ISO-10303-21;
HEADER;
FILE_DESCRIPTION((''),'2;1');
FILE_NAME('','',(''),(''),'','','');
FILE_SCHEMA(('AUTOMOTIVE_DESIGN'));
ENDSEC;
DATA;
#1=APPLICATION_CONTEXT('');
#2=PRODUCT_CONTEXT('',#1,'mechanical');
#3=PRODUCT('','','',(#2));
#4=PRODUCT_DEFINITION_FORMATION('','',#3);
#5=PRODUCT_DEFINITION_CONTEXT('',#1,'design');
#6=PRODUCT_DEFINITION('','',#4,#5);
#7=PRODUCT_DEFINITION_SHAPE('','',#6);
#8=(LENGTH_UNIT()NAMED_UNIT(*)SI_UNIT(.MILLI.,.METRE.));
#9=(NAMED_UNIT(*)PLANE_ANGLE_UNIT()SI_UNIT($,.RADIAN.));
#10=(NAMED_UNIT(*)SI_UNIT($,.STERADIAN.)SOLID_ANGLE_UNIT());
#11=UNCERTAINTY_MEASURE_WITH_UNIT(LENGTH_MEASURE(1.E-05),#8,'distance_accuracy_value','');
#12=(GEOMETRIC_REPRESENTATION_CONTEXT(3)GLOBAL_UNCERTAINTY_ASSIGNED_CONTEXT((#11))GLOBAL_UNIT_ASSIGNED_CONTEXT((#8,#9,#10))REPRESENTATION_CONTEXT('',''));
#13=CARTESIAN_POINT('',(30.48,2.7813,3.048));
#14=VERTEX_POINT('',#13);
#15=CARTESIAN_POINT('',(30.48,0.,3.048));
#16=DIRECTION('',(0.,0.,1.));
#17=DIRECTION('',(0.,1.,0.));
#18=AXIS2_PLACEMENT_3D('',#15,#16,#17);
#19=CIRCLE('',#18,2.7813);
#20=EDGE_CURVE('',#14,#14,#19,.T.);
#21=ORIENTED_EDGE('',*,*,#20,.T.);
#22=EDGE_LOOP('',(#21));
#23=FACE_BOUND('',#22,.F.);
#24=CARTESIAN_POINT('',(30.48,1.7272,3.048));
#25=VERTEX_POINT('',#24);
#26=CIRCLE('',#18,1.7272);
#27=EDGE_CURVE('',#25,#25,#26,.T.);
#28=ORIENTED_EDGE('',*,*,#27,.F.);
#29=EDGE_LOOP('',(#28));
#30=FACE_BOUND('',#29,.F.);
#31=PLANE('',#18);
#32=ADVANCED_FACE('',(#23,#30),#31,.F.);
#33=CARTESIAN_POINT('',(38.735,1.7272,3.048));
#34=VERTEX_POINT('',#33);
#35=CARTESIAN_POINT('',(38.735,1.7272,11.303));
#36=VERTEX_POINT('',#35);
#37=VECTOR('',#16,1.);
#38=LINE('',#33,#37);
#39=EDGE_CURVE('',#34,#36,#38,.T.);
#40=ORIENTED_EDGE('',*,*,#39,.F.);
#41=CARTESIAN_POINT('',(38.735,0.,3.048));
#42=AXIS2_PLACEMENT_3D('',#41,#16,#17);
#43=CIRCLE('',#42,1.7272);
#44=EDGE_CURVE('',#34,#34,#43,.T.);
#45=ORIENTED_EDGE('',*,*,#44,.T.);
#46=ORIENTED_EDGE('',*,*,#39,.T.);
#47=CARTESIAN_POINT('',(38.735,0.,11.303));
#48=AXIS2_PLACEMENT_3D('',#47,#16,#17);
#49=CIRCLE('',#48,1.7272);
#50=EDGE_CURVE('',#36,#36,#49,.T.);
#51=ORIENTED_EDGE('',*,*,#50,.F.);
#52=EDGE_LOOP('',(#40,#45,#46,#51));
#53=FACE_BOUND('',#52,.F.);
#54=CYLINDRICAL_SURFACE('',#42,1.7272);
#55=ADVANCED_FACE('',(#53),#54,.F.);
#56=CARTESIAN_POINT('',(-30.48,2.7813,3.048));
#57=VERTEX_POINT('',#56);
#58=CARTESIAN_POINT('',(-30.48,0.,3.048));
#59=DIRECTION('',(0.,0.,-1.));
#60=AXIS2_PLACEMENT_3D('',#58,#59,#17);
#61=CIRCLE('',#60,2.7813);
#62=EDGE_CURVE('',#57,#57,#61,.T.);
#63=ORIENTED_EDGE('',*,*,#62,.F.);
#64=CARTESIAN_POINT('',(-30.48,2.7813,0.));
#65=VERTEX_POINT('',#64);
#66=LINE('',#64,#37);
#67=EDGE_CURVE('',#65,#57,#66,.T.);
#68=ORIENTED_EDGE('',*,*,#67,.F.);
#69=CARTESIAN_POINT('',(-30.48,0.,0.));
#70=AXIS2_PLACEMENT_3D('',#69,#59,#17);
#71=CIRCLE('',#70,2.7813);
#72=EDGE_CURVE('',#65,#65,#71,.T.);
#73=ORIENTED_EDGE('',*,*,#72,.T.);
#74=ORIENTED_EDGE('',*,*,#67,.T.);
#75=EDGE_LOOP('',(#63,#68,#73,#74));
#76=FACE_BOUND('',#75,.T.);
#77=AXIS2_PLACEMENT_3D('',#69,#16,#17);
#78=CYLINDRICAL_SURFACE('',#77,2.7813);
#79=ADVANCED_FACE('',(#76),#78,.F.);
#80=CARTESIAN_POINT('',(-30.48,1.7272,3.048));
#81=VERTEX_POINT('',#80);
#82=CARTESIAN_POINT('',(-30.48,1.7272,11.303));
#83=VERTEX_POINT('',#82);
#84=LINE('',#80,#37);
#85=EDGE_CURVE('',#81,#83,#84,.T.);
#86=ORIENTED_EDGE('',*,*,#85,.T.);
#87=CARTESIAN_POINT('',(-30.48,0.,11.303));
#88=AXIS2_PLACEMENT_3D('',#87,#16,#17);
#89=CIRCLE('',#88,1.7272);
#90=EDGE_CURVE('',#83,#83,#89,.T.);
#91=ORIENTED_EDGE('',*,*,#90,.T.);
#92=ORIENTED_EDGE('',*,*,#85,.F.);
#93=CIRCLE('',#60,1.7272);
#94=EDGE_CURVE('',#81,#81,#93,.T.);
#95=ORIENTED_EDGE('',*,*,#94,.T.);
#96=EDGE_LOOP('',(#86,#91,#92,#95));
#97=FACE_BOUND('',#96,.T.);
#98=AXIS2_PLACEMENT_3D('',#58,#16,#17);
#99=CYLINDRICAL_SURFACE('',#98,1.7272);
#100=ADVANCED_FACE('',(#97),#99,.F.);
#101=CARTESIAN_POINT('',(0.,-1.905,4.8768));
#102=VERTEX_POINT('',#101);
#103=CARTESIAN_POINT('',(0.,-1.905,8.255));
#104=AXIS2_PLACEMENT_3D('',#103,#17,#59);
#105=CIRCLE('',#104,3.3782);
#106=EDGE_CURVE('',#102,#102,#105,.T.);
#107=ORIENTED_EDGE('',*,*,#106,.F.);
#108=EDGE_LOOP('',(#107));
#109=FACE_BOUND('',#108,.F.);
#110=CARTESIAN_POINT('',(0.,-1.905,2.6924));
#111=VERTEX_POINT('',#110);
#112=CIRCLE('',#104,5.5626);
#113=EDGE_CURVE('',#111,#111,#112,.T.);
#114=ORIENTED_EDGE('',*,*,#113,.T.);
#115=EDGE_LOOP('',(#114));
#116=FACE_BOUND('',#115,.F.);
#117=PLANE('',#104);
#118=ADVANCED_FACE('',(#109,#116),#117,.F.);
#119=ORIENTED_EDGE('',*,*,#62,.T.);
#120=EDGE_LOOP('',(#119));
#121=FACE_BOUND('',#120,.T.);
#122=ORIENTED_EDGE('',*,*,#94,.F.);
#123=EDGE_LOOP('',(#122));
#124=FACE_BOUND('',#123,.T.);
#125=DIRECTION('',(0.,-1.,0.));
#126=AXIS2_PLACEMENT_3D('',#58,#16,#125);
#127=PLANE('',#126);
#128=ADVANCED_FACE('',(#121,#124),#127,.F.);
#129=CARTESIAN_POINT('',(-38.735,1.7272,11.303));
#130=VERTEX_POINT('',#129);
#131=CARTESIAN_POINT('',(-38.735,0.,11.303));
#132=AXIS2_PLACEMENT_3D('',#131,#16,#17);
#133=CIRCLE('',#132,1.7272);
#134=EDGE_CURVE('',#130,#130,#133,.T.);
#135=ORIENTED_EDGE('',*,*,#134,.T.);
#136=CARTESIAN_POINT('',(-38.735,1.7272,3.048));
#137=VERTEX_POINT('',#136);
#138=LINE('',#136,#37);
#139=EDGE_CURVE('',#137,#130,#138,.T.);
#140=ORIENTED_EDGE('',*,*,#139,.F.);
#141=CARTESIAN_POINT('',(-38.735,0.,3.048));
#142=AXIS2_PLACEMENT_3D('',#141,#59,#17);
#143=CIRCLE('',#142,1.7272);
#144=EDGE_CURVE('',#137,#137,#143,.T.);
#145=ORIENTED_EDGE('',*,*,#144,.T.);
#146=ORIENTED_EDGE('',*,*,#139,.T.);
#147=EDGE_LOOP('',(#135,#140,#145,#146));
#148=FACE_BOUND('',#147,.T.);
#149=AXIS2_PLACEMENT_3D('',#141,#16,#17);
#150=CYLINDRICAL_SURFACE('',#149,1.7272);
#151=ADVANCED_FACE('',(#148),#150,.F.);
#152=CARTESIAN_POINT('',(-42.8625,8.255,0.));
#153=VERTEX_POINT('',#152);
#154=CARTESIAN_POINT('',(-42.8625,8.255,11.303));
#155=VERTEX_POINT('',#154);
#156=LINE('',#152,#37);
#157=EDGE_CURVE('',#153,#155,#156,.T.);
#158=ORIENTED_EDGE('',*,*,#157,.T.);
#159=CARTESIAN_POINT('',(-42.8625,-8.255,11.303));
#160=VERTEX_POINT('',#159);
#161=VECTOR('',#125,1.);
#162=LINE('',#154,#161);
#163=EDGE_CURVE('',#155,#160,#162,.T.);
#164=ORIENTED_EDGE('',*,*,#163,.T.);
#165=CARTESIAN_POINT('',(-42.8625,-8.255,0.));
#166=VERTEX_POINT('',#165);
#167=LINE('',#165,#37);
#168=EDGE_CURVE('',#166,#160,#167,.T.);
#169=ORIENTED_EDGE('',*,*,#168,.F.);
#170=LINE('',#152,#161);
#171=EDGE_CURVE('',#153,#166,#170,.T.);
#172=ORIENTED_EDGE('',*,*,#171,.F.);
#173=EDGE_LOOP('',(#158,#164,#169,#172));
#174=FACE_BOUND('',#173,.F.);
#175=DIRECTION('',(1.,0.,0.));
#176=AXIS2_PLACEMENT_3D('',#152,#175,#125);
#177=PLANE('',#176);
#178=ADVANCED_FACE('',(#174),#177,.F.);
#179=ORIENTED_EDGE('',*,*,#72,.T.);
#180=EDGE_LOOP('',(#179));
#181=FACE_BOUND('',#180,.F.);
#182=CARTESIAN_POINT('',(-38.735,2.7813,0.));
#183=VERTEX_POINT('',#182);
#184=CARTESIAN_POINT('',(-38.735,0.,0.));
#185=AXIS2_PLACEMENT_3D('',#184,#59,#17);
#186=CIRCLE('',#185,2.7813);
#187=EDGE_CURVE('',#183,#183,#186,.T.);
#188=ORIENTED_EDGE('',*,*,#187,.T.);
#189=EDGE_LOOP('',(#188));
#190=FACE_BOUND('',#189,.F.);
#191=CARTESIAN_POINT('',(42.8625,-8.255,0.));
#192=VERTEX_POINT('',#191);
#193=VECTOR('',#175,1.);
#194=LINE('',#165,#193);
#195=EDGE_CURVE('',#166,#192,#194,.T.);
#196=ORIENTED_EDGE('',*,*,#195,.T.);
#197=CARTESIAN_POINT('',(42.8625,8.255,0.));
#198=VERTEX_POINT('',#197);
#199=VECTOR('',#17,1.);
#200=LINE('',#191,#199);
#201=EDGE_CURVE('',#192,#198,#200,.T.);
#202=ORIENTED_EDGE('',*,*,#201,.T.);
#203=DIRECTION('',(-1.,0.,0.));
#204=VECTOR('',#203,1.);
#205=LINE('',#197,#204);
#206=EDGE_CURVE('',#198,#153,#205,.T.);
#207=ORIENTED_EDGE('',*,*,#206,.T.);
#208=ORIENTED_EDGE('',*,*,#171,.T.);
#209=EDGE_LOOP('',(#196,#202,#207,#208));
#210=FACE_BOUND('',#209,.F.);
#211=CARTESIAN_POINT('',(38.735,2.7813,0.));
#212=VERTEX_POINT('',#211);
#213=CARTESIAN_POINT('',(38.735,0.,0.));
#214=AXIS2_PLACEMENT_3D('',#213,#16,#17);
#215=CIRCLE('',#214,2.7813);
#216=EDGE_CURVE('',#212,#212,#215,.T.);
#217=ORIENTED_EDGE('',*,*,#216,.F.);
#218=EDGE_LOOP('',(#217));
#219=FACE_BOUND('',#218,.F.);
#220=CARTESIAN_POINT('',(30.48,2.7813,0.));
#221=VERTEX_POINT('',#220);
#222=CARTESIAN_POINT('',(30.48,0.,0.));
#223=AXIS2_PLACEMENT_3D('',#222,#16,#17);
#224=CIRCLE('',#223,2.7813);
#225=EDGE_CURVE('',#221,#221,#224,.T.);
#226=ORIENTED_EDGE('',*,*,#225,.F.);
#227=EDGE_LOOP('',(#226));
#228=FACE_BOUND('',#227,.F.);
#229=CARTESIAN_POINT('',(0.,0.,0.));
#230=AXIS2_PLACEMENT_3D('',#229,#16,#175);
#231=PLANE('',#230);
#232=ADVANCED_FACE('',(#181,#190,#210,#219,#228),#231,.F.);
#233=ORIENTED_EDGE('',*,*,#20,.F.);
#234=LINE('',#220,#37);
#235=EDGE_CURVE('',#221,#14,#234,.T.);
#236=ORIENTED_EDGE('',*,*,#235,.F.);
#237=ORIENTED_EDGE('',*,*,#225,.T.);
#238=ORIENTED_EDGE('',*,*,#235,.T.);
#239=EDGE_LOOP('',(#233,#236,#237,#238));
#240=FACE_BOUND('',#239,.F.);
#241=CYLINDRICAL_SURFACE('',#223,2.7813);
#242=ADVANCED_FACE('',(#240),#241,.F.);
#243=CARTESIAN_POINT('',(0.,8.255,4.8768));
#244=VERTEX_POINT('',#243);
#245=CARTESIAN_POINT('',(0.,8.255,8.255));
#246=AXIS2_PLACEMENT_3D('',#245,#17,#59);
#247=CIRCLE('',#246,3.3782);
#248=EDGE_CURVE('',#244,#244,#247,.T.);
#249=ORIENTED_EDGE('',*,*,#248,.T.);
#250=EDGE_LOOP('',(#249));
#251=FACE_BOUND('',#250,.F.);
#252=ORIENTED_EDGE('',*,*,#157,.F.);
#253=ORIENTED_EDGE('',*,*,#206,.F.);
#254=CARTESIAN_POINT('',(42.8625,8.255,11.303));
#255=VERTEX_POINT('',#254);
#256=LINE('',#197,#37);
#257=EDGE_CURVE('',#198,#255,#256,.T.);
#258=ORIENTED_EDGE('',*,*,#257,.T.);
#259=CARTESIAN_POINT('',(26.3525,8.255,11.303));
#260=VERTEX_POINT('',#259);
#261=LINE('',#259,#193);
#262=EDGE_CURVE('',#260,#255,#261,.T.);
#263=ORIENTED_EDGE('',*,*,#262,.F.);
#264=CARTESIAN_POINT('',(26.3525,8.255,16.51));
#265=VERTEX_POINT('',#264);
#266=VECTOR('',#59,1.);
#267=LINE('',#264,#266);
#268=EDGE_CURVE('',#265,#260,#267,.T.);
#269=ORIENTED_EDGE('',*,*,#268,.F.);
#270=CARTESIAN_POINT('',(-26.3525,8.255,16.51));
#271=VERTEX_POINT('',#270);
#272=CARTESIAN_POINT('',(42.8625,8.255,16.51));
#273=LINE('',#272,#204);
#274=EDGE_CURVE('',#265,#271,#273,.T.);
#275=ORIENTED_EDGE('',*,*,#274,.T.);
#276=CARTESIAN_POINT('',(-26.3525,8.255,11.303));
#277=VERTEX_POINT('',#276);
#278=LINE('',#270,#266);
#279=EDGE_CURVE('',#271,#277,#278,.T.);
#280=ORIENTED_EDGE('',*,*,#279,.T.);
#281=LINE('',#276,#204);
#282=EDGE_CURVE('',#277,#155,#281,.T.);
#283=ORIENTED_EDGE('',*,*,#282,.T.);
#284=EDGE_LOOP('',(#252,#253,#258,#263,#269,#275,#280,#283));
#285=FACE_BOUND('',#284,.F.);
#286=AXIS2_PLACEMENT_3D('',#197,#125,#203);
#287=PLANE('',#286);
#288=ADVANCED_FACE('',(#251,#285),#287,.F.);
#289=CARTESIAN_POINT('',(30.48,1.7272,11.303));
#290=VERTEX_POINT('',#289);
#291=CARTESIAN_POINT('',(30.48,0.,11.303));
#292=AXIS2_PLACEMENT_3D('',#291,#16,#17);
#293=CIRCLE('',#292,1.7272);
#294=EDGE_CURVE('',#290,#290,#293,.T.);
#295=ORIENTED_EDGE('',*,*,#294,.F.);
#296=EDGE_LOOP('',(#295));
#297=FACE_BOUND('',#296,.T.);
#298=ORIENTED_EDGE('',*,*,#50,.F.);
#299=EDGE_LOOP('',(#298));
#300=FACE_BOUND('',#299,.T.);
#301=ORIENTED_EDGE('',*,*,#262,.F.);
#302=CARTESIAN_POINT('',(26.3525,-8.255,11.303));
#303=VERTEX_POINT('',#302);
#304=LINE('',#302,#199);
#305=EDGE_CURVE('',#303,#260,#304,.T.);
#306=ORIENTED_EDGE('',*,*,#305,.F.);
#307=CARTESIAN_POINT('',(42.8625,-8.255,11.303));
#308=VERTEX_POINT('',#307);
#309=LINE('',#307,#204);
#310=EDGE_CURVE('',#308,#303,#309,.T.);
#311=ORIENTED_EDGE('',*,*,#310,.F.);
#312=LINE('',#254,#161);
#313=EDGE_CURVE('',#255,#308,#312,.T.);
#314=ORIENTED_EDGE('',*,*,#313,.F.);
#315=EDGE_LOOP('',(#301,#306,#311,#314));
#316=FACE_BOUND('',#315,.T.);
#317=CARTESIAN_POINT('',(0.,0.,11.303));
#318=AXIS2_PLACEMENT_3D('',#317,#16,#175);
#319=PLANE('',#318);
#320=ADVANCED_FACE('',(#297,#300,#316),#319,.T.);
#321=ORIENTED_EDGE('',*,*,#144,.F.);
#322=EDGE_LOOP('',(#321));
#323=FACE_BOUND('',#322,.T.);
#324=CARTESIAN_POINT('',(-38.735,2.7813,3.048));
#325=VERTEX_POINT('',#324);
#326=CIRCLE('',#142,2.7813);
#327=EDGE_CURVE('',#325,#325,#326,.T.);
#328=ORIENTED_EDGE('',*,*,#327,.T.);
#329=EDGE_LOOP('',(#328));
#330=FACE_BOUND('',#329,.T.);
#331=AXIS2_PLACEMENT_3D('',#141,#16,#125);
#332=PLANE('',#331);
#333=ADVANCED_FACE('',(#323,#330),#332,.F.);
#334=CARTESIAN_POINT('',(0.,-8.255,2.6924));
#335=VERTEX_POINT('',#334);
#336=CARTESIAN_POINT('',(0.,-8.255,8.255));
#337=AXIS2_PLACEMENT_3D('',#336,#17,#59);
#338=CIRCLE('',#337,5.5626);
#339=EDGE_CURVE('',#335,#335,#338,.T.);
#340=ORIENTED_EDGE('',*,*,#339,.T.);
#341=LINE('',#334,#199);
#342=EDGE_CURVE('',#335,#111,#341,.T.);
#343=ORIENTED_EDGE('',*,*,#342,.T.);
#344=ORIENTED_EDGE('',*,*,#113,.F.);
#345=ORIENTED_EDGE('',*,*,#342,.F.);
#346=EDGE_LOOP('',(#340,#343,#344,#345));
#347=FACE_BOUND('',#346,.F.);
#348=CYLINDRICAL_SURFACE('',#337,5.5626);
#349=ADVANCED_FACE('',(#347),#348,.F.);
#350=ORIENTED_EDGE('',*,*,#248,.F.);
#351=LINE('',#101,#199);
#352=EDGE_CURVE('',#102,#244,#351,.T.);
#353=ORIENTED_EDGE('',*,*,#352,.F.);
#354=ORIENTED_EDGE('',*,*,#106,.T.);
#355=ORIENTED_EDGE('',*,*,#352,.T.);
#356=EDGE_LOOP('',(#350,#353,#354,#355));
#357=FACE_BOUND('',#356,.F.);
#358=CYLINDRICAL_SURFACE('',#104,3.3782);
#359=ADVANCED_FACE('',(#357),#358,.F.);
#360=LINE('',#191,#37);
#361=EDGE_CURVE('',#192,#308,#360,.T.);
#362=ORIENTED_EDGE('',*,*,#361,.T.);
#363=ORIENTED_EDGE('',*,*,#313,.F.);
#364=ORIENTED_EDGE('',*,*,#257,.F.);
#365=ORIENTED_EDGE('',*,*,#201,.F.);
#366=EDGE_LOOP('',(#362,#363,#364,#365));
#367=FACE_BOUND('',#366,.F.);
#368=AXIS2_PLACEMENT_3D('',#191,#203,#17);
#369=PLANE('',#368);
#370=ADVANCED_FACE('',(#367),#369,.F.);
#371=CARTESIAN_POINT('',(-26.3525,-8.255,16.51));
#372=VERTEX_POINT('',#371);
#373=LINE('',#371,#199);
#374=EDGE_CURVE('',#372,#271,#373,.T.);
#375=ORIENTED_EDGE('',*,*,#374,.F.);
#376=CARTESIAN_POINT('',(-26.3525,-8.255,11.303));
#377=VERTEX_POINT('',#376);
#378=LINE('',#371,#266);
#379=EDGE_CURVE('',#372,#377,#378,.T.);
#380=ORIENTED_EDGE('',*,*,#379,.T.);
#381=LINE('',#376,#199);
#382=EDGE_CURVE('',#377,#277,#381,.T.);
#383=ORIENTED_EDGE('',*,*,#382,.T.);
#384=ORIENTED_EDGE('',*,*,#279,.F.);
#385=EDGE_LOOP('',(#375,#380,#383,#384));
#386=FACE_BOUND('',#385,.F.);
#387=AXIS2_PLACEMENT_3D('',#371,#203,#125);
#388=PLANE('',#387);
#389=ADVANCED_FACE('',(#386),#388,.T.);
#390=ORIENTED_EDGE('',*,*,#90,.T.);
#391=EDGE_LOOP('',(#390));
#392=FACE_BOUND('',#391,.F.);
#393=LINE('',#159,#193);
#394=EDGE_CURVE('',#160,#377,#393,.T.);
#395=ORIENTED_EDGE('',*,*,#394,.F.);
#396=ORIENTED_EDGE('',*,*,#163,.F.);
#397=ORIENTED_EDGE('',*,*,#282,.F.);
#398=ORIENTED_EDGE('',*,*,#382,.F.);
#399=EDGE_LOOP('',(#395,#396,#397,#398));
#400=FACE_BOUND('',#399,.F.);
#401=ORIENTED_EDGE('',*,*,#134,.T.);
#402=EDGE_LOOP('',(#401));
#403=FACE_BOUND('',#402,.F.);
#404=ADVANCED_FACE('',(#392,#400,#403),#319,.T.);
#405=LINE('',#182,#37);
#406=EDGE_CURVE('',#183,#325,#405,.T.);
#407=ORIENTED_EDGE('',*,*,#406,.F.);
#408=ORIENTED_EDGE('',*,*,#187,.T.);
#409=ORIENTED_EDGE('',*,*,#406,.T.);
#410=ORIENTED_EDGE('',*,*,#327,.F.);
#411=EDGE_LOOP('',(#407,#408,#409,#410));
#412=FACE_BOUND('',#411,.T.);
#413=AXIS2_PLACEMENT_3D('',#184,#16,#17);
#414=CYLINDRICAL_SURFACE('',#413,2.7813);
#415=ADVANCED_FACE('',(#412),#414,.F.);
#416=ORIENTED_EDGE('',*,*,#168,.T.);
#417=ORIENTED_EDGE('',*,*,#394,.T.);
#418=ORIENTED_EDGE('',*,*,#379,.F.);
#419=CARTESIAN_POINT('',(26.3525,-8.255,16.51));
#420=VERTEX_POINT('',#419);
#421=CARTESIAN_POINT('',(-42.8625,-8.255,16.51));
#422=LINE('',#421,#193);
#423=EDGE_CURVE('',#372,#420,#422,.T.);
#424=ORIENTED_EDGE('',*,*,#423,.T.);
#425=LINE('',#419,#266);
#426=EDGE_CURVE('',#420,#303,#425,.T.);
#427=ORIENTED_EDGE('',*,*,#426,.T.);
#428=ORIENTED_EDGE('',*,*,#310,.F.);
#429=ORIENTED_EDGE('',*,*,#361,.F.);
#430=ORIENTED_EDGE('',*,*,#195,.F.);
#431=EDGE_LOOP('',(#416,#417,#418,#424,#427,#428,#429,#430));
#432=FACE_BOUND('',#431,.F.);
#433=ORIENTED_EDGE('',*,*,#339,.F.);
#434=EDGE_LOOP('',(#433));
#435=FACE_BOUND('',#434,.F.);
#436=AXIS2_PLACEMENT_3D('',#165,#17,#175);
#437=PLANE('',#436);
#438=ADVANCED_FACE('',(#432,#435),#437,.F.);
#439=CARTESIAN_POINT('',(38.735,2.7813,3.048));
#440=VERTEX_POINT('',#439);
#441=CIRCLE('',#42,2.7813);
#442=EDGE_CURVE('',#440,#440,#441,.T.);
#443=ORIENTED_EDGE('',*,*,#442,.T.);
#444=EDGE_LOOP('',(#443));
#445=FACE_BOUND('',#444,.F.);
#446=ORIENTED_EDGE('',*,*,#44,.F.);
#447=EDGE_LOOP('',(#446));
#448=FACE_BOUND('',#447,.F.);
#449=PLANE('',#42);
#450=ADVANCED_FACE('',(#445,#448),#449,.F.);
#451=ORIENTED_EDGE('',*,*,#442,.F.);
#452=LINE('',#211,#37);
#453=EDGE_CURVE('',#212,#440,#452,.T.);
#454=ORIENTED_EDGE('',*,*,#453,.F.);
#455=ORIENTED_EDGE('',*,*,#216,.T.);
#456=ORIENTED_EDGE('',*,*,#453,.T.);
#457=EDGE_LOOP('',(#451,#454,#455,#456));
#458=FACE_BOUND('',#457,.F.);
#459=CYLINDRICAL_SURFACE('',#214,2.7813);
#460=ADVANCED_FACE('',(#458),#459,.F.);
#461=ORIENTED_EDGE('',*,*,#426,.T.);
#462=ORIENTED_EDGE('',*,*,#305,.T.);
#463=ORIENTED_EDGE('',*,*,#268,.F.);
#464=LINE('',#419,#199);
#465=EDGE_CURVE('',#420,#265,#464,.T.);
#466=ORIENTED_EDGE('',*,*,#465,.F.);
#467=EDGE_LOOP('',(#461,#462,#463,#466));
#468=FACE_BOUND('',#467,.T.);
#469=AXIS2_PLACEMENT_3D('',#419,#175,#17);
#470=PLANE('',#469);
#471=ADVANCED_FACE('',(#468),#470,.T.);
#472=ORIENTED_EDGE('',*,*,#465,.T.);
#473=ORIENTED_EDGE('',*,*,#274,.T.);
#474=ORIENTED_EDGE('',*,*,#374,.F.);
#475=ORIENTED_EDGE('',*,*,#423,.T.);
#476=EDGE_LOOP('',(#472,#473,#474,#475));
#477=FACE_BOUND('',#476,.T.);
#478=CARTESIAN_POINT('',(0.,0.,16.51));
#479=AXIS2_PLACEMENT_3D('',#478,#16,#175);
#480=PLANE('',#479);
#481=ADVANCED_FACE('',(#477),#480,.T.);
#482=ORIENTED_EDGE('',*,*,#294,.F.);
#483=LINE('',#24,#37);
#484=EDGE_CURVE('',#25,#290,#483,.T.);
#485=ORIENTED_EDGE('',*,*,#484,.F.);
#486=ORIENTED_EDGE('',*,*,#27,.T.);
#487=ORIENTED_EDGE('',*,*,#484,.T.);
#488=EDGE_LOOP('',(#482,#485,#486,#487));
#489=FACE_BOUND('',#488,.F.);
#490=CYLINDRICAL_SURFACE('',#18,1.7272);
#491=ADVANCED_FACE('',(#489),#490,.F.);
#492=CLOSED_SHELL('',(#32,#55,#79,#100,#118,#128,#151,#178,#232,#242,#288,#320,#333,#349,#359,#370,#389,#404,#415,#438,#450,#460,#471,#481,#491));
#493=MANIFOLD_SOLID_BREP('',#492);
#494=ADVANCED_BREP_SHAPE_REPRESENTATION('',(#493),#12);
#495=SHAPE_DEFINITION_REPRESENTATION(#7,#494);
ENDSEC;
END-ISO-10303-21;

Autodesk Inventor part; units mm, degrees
ref_plane "YZ Plane" through (0, 0, 0) normal (1, 0, 0) x (0, 1, 0)
ref_plane "XZ Plane" through (0, 0, 0) normal (0, 1, 0) x (-1, 0, 0)
sketch "Sketch2" plane through (0, 0, 0) normal (0, 0, 1) x (1, 0, 0)
  line L0 (-42.8625, -8.255) -> (42.8625, -8.255)
  line L1 (42.8625, -8.255) -> (42.8625, 8.255)
  line L2 (42.8625, 8.255) -> (-42.8625, 8.255)
  line L3 (-42.8625, 8.255) -> (-42.8625, -8.255)
  line L4 (-42.8625, -8.255) -> (42.8625, 8.255) construction
  line L5 (42.8625, -8.255) -> (-42.8625, 8.255) construction
  point P0 (0, 0)
  dimension "bar_length" = 85.725
  dimension "bar_width" = 16.51
extrude "Extrusion1" add sketch "Sketch2" along normal blind 16.51
ref_plane "Work Plane1" through (0, -8.255, 0) normal (1, 0, 0) x (0, 0, -1)
sketch "Sketch5" plane through (0, 0, 0) normal (0, 0, -1) x (-1, 0, 0)
  line L0 (42.8625, -8.255) -> (-42.8625, -8.255) construction
  line L1 (42.8625, 8.255) -> (42.8625, -8.255) construction
  line L2 (-42.8625, 8.255) -> (42.8625, 8.255) construction
  line L3 (-42.8625, -8.255) -> (-42.8625, 8.255) construction
  line L4 (-42.8625, -8.255) -> (-26.3525, -8.255) construction
  line L5 (-26.3525, -8.255) -> (-26.3525, 8.255) construction
  line L6 (-26.3525, 8.255) -> (-42.8625, 8.255) construction
  line L7 (-42.8625, 8.255) -> (-42.8625, -8.255) construction
  line L8 (-34.6075, -8.255) -> (-34.6075, 8.255) construction
  line L9 (-38.735, -8.255) -> (-38.735, 8.255) construction
  line L10 (-30.48, -8.255) -> (-30.48, 8.255) construction
  line L11 (-34.6075, -8.255) -> (-34.6075, 8.255) construction
  point P0 (0, 0)
  point P1 (-30.48, 0)
  point P2 (-38.735, 0)
  dimension "d10" = 16.51
  dimension "d11" = 16.51
  dimension "d14" = 4.1275
  dimension "d17" = 4.1275
hole "Hole1" at (30.48, 0, 0) at (38.735, 0, 0) direction (0, 0, 1) diameter 3.4544 end through all counterbore diameter 5.5626 counterbore depth 3.048
sketch "Sketch4" plane through (0, 0, 16.51) normal (0, 0, 1) x (1, 0, 0)
  line L0 (-42.8625, -8.255) -> (42.8625, -8.255) construction
  line L1 (42.8625, -8.255) -> (42.8625, 8.255) construction
  line L2 (42.8625, 8.255) -> (-42.8625, 8.255) construction
  line L3 (-42.8625, 8.255) -> (-42.8625, -8.255) construction
  line L4 (42.8625, -8.255) -> (26.3525, -8.255)
  line L5 (26.3525, -8.255) -> (26.3525, 8.255)
  line L6 (26.3525, 8.255) -> (42.8625, 8.255)
  line L7 (42.8625, 8.255) -> (42.8625, -8.255)
  circle A0 centre (38.735, 0) radius 1.7272 projected
  point P0 (0, 0)
  dimension "d6" = 16.51
  dimension "d7" = 16.51
extrude "Extrusion2" cut sketch "Sketch4" against normal blind 5.207 contours L4 L5 L6 L7 | A0
mirror "Mirror2" about plane through (0, -8.255, 0) normal (1, 0, 0) of "Hole1", "Extrusion2"
sketch "Sketch7" plane through (-42.8625, -8.255, 0) normal (0, -1, 0) x (1, 0, 0)
  line L0 (0, 0) -> (85.725, 0) projected
  line L1 (85.725, 0) -> (85.725, 11.303) projected
  line L2 (16.51, 16.51) -> (69.215, 16.51) projected
  line L3 (0, 0) -> (0, 11.303) projected
  line L4 (55.5625, 8.255) -> (42.8625, 8.255)
  line L5 (0, 16.51) -> (85.725, 16.51) projected
  line L6 (42.8625, 8.255) -> (30.1625, 8.255)
  line L7 (85.725, 8.255) -> (0, 8.255) construction
  line L8 (42.8625, 0) -> (42.8625, 16.51) construction
  line L9 (16.51, 16.51) -> (16.51, 11.303) projected
  line L10 (16.51, 11.303) -> (0, 11.303) projected
  line L11 (85.725, 11.303) -> (69.215, 11.303) projected
  line L12 (69.215, 11.303) -> (69.215, 16.51) projected
  dimension "d48" = 12.7
hole "Hole6" at (0, -8.255, 8.255) direction (0, 1, 0) diameter 6.7564 end through all counterbore diameter 11.1252 counterbore depth 6.35 clearance for "Socket Head Cap Screw" size "1/4" standard "Ansi Unified Screw Threads"
equation "\"d2\" = bar_width"
equation "\"d14\" = 0.5 * hole_spacing"
equation "\"d17\" = 0.5 * hole_spacing"
equation "\"hole_spacing\" = 8.255"
properties part number "hph_C_001"
